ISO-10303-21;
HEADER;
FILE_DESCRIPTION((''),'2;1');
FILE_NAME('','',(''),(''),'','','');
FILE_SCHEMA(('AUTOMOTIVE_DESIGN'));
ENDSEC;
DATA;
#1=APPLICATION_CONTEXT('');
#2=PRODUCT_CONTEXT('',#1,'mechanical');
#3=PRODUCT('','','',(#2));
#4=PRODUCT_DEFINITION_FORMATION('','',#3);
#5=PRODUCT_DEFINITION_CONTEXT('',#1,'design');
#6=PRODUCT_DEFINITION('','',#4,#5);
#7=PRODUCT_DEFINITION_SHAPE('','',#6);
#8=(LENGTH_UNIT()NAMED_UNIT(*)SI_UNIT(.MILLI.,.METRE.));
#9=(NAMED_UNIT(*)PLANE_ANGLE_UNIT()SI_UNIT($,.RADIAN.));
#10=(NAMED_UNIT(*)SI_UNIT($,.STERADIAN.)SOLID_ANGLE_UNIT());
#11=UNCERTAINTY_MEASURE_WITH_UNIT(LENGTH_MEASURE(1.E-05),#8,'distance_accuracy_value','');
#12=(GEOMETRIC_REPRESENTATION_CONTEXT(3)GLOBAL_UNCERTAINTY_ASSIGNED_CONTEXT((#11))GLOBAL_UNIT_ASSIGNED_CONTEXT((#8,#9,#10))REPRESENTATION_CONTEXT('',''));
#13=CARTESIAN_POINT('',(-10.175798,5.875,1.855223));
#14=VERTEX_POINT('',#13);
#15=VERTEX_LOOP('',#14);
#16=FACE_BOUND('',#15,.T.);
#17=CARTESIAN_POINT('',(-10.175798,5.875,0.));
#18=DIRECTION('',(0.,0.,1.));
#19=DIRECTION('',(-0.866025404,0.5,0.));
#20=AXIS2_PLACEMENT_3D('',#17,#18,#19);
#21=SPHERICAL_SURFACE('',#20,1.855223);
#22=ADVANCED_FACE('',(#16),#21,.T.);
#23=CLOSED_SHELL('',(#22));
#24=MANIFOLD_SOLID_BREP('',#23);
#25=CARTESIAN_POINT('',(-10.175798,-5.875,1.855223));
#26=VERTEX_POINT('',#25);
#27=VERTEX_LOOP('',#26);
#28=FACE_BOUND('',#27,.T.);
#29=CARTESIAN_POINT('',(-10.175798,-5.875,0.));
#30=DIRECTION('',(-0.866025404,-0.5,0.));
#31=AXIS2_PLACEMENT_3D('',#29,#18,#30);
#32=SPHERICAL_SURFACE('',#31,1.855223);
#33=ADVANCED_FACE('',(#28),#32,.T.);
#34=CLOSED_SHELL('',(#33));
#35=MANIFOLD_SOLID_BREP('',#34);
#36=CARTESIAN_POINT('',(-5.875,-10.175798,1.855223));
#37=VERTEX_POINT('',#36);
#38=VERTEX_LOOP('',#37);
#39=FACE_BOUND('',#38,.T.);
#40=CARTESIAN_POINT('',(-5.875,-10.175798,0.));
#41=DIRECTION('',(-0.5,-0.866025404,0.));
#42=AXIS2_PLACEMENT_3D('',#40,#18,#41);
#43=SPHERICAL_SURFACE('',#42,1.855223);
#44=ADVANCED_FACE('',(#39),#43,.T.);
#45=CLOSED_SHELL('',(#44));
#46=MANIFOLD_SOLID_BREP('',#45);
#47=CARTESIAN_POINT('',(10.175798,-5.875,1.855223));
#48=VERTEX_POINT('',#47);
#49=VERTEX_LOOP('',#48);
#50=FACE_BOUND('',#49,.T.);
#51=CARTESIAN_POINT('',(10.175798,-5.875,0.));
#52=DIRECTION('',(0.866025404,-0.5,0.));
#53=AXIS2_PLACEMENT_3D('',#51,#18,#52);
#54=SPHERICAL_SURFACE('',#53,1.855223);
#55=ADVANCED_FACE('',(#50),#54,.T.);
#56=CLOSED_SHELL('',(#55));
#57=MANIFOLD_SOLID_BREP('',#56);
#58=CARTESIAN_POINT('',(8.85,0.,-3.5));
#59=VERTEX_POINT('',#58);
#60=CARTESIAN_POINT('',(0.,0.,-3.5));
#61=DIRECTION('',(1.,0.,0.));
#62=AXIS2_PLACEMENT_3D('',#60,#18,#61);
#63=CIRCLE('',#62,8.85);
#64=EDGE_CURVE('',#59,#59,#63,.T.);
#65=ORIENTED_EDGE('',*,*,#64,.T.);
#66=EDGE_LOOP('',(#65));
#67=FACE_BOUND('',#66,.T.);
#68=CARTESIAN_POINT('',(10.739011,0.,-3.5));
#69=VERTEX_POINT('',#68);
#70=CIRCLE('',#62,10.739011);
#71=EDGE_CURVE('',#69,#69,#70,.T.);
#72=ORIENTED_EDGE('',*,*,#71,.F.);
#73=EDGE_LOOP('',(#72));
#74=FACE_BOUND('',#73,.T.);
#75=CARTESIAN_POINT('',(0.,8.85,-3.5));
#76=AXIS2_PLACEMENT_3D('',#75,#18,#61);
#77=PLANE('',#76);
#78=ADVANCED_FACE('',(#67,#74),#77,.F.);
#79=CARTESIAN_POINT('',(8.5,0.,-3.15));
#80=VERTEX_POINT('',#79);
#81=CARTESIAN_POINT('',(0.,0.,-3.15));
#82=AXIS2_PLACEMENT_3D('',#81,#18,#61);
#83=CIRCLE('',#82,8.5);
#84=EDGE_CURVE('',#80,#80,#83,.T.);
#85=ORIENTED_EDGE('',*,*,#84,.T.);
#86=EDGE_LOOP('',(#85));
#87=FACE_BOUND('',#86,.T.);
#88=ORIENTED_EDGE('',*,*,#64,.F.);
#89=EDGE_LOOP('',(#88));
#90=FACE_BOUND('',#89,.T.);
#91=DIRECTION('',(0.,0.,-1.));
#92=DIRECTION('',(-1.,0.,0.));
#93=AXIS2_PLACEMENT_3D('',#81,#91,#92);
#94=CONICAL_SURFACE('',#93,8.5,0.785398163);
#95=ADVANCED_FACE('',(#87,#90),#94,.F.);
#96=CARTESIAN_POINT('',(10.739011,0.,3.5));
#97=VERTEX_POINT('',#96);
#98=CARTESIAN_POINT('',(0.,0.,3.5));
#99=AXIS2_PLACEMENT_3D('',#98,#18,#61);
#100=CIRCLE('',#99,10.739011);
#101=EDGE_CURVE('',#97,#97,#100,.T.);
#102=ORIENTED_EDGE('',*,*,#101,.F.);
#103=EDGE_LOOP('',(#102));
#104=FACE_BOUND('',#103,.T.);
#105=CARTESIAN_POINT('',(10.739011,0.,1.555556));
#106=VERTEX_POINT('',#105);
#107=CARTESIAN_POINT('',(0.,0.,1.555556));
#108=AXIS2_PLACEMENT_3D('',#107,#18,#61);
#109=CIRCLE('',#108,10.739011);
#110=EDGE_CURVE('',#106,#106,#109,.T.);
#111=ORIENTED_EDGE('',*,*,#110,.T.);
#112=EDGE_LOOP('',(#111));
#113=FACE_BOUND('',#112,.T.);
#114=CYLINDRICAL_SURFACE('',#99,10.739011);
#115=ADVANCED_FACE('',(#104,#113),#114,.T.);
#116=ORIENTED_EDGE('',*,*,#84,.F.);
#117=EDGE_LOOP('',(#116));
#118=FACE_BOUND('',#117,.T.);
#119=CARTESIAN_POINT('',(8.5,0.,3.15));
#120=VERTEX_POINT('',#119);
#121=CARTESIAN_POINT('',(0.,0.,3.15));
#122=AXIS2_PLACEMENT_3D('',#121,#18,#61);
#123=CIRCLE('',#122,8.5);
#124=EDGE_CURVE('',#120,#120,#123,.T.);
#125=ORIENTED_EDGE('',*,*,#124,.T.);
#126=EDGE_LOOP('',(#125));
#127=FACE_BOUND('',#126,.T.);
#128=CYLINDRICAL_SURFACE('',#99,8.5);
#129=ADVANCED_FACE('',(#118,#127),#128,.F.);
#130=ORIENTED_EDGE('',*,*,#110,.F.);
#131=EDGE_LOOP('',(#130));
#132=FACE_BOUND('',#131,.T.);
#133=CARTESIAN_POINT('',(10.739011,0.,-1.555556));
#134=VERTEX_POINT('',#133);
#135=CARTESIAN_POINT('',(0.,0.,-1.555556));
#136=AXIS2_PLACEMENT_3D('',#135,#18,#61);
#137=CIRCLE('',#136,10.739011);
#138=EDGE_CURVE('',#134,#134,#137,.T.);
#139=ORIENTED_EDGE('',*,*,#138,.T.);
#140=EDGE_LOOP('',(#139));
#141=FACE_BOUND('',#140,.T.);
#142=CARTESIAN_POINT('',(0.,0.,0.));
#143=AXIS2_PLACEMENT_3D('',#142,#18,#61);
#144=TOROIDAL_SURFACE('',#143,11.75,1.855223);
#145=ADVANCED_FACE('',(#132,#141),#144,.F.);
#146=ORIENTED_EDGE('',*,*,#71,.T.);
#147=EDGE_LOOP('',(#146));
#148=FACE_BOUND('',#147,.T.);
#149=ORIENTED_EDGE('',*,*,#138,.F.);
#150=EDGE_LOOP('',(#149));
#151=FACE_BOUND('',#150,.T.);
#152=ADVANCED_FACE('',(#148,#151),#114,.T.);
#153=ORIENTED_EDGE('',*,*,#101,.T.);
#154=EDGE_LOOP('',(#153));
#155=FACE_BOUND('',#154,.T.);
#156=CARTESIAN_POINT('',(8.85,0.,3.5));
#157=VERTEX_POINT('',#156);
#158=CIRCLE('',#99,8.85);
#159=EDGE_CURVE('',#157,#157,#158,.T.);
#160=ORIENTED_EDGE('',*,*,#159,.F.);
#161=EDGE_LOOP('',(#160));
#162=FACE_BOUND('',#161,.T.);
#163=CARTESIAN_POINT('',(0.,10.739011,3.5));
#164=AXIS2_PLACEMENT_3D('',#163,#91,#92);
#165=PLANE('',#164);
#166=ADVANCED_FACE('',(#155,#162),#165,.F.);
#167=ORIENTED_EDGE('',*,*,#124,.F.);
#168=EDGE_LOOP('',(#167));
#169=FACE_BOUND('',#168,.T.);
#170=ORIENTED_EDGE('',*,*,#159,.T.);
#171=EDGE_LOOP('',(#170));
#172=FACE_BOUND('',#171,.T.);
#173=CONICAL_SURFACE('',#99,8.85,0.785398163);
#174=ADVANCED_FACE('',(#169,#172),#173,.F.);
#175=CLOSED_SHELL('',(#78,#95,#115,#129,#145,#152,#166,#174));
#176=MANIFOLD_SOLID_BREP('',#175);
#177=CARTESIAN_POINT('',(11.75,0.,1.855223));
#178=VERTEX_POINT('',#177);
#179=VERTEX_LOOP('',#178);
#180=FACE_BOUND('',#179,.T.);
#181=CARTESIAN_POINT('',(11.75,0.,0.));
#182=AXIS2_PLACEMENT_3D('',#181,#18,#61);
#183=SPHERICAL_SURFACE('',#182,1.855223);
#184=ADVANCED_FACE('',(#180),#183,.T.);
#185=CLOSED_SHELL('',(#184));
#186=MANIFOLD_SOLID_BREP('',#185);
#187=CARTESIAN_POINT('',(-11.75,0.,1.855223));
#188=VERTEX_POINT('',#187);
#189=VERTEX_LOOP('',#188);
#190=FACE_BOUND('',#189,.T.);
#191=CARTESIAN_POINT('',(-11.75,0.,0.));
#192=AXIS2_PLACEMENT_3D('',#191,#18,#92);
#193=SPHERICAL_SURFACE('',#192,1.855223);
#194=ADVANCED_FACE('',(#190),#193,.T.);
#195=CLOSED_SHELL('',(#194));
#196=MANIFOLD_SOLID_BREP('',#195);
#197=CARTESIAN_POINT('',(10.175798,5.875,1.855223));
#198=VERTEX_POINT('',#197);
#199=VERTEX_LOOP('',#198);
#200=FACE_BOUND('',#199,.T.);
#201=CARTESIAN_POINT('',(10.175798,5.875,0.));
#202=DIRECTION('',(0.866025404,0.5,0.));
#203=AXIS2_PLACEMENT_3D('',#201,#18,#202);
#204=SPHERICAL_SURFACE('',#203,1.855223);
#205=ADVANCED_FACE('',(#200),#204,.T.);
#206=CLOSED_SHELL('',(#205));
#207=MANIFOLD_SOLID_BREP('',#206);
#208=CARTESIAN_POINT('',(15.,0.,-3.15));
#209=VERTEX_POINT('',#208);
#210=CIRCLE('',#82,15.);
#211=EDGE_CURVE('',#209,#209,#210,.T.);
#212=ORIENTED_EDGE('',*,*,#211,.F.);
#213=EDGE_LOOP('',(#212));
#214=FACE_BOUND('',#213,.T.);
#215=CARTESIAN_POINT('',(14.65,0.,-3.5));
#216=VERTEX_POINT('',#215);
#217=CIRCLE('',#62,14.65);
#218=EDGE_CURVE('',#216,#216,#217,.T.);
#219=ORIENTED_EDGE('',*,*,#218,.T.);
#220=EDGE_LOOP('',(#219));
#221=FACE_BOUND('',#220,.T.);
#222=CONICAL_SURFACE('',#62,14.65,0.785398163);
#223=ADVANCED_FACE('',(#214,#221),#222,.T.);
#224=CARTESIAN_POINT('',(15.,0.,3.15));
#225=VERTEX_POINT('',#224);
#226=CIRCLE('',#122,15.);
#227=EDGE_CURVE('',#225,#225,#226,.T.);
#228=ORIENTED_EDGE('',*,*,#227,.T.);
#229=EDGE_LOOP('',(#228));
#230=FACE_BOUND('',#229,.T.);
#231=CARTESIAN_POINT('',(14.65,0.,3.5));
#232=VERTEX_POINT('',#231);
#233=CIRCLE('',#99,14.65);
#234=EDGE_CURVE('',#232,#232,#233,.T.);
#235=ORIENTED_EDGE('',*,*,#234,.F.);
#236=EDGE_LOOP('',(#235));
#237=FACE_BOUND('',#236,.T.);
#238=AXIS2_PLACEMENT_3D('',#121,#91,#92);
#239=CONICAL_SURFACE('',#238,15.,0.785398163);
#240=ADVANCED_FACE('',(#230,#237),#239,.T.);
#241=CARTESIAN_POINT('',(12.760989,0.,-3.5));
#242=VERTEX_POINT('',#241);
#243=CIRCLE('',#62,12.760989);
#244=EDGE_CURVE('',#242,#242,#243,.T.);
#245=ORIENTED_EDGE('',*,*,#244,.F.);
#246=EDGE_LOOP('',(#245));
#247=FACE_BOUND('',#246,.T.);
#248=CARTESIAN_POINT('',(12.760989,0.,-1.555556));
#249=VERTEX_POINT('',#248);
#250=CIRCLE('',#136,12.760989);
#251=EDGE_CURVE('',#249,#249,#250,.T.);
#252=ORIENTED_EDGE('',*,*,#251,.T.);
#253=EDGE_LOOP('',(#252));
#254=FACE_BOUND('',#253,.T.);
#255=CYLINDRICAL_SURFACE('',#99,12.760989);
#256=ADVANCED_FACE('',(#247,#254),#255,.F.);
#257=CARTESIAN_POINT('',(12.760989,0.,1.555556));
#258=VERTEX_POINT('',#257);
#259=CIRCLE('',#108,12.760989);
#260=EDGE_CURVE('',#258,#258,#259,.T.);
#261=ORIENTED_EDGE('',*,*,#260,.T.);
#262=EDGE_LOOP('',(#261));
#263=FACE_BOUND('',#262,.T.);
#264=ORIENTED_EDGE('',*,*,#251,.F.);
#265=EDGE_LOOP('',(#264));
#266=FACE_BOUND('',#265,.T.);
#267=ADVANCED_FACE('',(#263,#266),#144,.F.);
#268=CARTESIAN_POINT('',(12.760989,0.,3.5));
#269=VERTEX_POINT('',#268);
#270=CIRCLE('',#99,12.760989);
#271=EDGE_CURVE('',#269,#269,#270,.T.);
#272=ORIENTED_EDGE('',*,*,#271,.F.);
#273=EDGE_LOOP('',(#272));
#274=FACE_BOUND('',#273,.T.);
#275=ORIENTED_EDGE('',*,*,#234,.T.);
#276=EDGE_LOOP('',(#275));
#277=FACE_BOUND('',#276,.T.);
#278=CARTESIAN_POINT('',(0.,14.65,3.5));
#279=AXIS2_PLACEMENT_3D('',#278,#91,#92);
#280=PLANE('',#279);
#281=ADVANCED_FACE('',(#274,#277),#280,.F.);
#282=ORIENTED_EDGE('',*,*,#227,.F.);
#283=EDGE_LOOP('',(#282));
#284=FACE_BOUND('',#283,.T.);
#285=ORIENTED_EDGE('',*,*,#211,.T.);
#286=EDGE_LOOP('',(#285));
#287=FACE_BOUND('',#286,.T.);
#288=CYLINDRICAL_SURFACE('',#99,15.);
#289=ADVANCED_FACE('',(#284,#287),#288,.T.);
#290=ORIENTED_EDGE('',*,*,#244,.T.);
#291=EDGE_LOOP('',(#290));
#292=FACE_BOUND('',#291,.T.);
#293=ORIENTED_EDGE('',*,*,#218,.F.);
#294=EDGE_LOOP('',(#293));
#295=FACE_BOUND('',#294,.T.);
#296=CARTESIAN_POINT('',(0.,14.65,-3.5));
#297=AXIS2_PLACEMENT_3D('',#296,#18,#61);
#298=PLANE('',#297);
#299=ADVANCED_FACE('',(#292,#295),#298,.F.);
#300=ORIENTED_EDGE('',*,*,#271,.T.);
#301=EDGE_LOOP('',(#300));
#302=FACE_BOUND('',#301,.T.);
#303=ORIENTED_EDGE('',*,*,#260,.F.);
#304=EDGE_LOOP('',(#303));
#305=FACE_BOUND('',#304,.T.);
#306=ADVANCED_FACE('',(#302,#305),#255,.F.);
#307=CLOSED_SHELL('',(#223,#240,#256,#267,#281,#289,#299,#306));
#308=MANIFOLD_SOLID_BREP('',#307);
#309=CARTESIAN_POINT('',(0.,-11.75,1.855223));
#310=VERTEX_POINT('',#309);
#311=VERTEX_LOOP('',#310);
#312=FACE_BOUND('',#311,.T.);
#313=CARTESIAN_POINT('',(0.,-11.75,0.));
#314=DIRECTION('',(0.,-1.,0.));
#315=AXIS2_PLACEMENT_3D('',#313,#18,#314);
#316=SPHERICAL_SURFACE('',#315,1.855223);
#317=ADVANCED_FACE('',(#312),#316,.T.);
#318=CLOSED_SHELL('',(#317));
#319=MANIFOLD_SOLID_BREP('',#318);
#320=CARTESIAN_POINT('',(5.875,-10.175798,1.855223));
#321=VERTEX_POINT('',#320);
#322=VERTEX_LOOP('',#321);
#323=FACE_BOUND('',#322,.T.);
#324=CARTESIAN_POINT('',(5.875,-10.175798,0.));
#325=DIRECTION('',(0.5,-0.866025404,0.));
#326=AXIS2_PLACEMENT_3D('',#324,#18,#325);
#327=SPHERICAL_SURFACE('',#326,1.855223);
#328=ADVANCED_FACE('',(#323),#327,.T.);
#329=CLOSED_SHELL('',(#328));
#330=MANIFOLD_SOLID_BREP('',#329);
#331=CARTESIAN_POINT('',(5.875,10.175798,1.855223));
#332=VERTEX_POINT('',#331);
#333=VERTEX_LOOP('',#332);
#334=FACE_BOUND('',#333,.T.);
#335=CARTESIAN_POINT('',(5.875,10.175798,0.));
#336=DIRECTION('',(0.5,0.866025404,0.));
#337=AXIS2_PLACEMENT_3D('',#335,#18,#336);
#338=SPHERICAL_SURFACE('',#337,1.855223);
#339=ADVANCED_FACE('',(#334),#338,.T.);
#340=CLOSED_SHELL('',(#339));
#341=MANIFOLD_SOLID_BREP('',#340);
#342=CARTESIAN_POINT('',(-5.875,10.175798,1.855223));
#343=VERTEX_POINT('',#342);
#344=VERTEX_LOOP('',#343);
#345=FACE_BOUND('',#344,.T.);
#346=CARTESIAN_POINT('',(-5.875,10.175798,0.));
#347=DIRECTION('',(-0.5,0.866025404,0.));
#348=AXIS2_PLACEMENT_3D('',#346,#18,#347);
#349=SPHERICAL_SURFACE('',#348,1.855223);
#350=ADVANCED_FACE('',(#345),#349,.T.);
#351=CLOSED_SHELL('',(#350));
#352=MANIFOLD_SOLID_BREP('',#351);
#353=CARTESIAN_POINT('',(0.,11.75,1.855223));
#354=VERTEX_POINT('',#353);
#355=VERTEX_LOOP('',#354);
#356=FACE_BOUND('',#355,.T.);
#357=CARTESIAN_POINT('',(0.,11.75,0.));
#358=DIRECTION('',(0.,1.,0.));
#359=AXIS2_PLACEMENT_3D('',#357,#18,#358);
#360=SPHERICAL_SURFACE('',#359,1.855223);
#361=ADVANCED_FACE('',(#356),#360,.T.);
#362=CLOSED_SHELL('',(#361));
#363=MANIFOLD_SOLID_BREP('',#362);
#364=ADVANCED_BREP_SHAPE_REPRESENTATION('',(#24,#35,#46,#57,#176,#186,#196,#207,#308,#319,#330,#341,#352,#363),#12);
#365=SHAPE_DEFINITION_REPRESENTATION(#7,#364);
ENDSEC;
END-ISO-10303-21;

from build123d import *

# Parameters (mm, degrees)
CIRPATTERN1_COUNT = 12


with BuildPart() as part:
    # Sketch1 → Revolve1 (revolve)
    with BuildSketch(Plane(origin=(0, 0, 0), x_dir=(0, 0, -1), z_dir=(1, 0, 0))):
        with BuildLine():
            Line((3.15, 15), (-3.15, 15))
            Line((-3.15, 15), (-3.5, 14.65))
            Line((-3.5, 14.65), (-3.5, 12.760989011))
            Line((-3.5, 12.760989011), (-1.555555556, 12.760989011))
            ThreePointArc((-1.555555556, 12.760989011), (0, 13.605222862), (1.555555556, 12.760989011))
            Line((1.555555556, 12.760989011), (3.5, 12.760989011))
            Line((3.5, 12.760989011), (3.5, 14.65))
            Line((3.5, 14.65), (3.15, 15))
        make_face()
    revolve(axis=Axis((0, 0, 3.5), (0, 0, -1)))


with BuildPart() as body_2:
    # Sketch3 → Revolve3 (revolve)
    with BuildSketch(Plane(origin=(0, 0, 0), x_dir=(0, 0, -1), z_dir=(1, 0, 0))):
        with BuildLine():
            Line((-3.5, 10.739010989), (-1.555555556, 10.739010989))
            ThreePointArc((-1.555555556, 10.739010989), (0, 9.894777138), (1.555555556, 10.739010989))
            Line((1.555555556, 10.739010989), (3.5, 10.739010989))
            Line((3.5, 10.739010989), (3.5, 8.85))
            Line((3.5, 8.85), (3.15, 8.5))
            Line((3.15, 8.5), (-3.15, 8.5))
            Line((-3.15, 8.5), (-3.5, 8.85))
            Line((-3.5, 8.85), (-3.5, 10.739010989))
        make_face()
    revolve(axis=Axis((0, 0, 3.5), (0, 0, -1)))


with BuildPart() as body_3:
    # Sketch4 → Revolve4 (revolve)
    with BuildSketch(Plane(origin=(0, 0, 0), x_dir=(0, 0, -1), z_dir=(1, 0, 0))):
        with BuildLine():
            Line((-1.855222862, 11.75), (1.855222862, 11.75))
            ThreePointArc((1.855222862, 11.75), (0, 13.605222862), (-1.855222862, 11.75))
        make_face()
    revolve(axis=Axis((0, 11.75, 1.855222862), (0, 0, -1)))


with BuildPart() as cirpattern1_1:
    # CirPattern1: pattern copy
    add(body_3.part.rotate(Axis((0, 0, -3.5), (0, 0, 1)), 1 * 360 / CIRPATTERN1_COUNT))


with BuildPart() as cirpattern1_2:
    # CirPattern1: pattern copy
    add(body_3.part.rotate(Axis((0, 0, -3.5), (0, 0, 1)), 2 * 360 / CIRPATTERN1_COUNT))


with BuildPart() as cirpattern1_3:
    # CirPattern1: pattern copy
    add(body_3.part.rotate(Axis((0, 0, -3.5), (0, 0, 1)), 3 * 360 / CIRPATTERN1_COUNT))


with BuildPart() as cirpattern1_4:
    # CirPattern1: pattern copy
    add(body_3.part.rotate(Axis((0, 0, -3.5), (0, 0, 1)), 4 * 360 / CIRPATTERN1_COUNT))


with BuildPart() as cirpattern1_5:
    # CirPattern1: pattern copy
    add(body_3.part.rotate(Axis((0, 0, -3.5), (0, 0, 1)), 5 * 360 / CIRPATTERN1_COUNT))


with BuildPart() as cirpattern1_6:
    # CirPattern1: pattern copy
    add(body_3.part.rotate(Axis((0, 0, -3.5), (0, 0, 1)), 6 * 360 / CIRPATTERN1_COUNT))


with BuildPart() as cirpattern1_7:
    # CirPattern1: pattern copy
    add(body_3.part.rotate(Axis((0, 0, -3.5), (0, 0, 1)), 7 * 360 / CIRPATTERN1_COUNT))


with BuildPart() as cirpattern1_8:
    # CirPattern1: pattern copy
    add(body_3.part.rotate(Axis((0, 0, -3.5), (0, 0, 1)), 8 * 360 / CIRPATTERN1_COUNT))


with BuildPart() as cirpattern1_9:
    # CirPattern1: pattern copy
    add(body_3.part.rotate(Axis((0, 0, -3.5), (0, 0, 1)), 9 * 360 / CIRPATTERN1_COUNT))


with BuildPart() as cirpattern1_10:
    # CirPattern1: pattern copy
    add(body_3.part.rotate(Axis((0, 0, -3.5), (0, 0, 1)), 10 * 360 / CIRPATTERN1_COUNT))


with BuildPart() as cirpattern1_11:
    # CirPattern1: pattern copy
    add(body_3.part.rotate(Axis((0, 0, -3.5), (0, 0, 1)), 11 * 360 / CIRPATTERN1_COUNT))


solid = Compound([part.part, body_2.part, body_3.part, cirpattern1_1.part, cirpattern1_2.part, cirpattern1_3.part, cirpattern1_4.part, cirpattern1_5.part, cirpattern1_6.part, cirpattern1_7.part, cirpattern1_8.part, cirpattern1_9.part, cirpattern1_10.part, cirpattern1_11.part])
